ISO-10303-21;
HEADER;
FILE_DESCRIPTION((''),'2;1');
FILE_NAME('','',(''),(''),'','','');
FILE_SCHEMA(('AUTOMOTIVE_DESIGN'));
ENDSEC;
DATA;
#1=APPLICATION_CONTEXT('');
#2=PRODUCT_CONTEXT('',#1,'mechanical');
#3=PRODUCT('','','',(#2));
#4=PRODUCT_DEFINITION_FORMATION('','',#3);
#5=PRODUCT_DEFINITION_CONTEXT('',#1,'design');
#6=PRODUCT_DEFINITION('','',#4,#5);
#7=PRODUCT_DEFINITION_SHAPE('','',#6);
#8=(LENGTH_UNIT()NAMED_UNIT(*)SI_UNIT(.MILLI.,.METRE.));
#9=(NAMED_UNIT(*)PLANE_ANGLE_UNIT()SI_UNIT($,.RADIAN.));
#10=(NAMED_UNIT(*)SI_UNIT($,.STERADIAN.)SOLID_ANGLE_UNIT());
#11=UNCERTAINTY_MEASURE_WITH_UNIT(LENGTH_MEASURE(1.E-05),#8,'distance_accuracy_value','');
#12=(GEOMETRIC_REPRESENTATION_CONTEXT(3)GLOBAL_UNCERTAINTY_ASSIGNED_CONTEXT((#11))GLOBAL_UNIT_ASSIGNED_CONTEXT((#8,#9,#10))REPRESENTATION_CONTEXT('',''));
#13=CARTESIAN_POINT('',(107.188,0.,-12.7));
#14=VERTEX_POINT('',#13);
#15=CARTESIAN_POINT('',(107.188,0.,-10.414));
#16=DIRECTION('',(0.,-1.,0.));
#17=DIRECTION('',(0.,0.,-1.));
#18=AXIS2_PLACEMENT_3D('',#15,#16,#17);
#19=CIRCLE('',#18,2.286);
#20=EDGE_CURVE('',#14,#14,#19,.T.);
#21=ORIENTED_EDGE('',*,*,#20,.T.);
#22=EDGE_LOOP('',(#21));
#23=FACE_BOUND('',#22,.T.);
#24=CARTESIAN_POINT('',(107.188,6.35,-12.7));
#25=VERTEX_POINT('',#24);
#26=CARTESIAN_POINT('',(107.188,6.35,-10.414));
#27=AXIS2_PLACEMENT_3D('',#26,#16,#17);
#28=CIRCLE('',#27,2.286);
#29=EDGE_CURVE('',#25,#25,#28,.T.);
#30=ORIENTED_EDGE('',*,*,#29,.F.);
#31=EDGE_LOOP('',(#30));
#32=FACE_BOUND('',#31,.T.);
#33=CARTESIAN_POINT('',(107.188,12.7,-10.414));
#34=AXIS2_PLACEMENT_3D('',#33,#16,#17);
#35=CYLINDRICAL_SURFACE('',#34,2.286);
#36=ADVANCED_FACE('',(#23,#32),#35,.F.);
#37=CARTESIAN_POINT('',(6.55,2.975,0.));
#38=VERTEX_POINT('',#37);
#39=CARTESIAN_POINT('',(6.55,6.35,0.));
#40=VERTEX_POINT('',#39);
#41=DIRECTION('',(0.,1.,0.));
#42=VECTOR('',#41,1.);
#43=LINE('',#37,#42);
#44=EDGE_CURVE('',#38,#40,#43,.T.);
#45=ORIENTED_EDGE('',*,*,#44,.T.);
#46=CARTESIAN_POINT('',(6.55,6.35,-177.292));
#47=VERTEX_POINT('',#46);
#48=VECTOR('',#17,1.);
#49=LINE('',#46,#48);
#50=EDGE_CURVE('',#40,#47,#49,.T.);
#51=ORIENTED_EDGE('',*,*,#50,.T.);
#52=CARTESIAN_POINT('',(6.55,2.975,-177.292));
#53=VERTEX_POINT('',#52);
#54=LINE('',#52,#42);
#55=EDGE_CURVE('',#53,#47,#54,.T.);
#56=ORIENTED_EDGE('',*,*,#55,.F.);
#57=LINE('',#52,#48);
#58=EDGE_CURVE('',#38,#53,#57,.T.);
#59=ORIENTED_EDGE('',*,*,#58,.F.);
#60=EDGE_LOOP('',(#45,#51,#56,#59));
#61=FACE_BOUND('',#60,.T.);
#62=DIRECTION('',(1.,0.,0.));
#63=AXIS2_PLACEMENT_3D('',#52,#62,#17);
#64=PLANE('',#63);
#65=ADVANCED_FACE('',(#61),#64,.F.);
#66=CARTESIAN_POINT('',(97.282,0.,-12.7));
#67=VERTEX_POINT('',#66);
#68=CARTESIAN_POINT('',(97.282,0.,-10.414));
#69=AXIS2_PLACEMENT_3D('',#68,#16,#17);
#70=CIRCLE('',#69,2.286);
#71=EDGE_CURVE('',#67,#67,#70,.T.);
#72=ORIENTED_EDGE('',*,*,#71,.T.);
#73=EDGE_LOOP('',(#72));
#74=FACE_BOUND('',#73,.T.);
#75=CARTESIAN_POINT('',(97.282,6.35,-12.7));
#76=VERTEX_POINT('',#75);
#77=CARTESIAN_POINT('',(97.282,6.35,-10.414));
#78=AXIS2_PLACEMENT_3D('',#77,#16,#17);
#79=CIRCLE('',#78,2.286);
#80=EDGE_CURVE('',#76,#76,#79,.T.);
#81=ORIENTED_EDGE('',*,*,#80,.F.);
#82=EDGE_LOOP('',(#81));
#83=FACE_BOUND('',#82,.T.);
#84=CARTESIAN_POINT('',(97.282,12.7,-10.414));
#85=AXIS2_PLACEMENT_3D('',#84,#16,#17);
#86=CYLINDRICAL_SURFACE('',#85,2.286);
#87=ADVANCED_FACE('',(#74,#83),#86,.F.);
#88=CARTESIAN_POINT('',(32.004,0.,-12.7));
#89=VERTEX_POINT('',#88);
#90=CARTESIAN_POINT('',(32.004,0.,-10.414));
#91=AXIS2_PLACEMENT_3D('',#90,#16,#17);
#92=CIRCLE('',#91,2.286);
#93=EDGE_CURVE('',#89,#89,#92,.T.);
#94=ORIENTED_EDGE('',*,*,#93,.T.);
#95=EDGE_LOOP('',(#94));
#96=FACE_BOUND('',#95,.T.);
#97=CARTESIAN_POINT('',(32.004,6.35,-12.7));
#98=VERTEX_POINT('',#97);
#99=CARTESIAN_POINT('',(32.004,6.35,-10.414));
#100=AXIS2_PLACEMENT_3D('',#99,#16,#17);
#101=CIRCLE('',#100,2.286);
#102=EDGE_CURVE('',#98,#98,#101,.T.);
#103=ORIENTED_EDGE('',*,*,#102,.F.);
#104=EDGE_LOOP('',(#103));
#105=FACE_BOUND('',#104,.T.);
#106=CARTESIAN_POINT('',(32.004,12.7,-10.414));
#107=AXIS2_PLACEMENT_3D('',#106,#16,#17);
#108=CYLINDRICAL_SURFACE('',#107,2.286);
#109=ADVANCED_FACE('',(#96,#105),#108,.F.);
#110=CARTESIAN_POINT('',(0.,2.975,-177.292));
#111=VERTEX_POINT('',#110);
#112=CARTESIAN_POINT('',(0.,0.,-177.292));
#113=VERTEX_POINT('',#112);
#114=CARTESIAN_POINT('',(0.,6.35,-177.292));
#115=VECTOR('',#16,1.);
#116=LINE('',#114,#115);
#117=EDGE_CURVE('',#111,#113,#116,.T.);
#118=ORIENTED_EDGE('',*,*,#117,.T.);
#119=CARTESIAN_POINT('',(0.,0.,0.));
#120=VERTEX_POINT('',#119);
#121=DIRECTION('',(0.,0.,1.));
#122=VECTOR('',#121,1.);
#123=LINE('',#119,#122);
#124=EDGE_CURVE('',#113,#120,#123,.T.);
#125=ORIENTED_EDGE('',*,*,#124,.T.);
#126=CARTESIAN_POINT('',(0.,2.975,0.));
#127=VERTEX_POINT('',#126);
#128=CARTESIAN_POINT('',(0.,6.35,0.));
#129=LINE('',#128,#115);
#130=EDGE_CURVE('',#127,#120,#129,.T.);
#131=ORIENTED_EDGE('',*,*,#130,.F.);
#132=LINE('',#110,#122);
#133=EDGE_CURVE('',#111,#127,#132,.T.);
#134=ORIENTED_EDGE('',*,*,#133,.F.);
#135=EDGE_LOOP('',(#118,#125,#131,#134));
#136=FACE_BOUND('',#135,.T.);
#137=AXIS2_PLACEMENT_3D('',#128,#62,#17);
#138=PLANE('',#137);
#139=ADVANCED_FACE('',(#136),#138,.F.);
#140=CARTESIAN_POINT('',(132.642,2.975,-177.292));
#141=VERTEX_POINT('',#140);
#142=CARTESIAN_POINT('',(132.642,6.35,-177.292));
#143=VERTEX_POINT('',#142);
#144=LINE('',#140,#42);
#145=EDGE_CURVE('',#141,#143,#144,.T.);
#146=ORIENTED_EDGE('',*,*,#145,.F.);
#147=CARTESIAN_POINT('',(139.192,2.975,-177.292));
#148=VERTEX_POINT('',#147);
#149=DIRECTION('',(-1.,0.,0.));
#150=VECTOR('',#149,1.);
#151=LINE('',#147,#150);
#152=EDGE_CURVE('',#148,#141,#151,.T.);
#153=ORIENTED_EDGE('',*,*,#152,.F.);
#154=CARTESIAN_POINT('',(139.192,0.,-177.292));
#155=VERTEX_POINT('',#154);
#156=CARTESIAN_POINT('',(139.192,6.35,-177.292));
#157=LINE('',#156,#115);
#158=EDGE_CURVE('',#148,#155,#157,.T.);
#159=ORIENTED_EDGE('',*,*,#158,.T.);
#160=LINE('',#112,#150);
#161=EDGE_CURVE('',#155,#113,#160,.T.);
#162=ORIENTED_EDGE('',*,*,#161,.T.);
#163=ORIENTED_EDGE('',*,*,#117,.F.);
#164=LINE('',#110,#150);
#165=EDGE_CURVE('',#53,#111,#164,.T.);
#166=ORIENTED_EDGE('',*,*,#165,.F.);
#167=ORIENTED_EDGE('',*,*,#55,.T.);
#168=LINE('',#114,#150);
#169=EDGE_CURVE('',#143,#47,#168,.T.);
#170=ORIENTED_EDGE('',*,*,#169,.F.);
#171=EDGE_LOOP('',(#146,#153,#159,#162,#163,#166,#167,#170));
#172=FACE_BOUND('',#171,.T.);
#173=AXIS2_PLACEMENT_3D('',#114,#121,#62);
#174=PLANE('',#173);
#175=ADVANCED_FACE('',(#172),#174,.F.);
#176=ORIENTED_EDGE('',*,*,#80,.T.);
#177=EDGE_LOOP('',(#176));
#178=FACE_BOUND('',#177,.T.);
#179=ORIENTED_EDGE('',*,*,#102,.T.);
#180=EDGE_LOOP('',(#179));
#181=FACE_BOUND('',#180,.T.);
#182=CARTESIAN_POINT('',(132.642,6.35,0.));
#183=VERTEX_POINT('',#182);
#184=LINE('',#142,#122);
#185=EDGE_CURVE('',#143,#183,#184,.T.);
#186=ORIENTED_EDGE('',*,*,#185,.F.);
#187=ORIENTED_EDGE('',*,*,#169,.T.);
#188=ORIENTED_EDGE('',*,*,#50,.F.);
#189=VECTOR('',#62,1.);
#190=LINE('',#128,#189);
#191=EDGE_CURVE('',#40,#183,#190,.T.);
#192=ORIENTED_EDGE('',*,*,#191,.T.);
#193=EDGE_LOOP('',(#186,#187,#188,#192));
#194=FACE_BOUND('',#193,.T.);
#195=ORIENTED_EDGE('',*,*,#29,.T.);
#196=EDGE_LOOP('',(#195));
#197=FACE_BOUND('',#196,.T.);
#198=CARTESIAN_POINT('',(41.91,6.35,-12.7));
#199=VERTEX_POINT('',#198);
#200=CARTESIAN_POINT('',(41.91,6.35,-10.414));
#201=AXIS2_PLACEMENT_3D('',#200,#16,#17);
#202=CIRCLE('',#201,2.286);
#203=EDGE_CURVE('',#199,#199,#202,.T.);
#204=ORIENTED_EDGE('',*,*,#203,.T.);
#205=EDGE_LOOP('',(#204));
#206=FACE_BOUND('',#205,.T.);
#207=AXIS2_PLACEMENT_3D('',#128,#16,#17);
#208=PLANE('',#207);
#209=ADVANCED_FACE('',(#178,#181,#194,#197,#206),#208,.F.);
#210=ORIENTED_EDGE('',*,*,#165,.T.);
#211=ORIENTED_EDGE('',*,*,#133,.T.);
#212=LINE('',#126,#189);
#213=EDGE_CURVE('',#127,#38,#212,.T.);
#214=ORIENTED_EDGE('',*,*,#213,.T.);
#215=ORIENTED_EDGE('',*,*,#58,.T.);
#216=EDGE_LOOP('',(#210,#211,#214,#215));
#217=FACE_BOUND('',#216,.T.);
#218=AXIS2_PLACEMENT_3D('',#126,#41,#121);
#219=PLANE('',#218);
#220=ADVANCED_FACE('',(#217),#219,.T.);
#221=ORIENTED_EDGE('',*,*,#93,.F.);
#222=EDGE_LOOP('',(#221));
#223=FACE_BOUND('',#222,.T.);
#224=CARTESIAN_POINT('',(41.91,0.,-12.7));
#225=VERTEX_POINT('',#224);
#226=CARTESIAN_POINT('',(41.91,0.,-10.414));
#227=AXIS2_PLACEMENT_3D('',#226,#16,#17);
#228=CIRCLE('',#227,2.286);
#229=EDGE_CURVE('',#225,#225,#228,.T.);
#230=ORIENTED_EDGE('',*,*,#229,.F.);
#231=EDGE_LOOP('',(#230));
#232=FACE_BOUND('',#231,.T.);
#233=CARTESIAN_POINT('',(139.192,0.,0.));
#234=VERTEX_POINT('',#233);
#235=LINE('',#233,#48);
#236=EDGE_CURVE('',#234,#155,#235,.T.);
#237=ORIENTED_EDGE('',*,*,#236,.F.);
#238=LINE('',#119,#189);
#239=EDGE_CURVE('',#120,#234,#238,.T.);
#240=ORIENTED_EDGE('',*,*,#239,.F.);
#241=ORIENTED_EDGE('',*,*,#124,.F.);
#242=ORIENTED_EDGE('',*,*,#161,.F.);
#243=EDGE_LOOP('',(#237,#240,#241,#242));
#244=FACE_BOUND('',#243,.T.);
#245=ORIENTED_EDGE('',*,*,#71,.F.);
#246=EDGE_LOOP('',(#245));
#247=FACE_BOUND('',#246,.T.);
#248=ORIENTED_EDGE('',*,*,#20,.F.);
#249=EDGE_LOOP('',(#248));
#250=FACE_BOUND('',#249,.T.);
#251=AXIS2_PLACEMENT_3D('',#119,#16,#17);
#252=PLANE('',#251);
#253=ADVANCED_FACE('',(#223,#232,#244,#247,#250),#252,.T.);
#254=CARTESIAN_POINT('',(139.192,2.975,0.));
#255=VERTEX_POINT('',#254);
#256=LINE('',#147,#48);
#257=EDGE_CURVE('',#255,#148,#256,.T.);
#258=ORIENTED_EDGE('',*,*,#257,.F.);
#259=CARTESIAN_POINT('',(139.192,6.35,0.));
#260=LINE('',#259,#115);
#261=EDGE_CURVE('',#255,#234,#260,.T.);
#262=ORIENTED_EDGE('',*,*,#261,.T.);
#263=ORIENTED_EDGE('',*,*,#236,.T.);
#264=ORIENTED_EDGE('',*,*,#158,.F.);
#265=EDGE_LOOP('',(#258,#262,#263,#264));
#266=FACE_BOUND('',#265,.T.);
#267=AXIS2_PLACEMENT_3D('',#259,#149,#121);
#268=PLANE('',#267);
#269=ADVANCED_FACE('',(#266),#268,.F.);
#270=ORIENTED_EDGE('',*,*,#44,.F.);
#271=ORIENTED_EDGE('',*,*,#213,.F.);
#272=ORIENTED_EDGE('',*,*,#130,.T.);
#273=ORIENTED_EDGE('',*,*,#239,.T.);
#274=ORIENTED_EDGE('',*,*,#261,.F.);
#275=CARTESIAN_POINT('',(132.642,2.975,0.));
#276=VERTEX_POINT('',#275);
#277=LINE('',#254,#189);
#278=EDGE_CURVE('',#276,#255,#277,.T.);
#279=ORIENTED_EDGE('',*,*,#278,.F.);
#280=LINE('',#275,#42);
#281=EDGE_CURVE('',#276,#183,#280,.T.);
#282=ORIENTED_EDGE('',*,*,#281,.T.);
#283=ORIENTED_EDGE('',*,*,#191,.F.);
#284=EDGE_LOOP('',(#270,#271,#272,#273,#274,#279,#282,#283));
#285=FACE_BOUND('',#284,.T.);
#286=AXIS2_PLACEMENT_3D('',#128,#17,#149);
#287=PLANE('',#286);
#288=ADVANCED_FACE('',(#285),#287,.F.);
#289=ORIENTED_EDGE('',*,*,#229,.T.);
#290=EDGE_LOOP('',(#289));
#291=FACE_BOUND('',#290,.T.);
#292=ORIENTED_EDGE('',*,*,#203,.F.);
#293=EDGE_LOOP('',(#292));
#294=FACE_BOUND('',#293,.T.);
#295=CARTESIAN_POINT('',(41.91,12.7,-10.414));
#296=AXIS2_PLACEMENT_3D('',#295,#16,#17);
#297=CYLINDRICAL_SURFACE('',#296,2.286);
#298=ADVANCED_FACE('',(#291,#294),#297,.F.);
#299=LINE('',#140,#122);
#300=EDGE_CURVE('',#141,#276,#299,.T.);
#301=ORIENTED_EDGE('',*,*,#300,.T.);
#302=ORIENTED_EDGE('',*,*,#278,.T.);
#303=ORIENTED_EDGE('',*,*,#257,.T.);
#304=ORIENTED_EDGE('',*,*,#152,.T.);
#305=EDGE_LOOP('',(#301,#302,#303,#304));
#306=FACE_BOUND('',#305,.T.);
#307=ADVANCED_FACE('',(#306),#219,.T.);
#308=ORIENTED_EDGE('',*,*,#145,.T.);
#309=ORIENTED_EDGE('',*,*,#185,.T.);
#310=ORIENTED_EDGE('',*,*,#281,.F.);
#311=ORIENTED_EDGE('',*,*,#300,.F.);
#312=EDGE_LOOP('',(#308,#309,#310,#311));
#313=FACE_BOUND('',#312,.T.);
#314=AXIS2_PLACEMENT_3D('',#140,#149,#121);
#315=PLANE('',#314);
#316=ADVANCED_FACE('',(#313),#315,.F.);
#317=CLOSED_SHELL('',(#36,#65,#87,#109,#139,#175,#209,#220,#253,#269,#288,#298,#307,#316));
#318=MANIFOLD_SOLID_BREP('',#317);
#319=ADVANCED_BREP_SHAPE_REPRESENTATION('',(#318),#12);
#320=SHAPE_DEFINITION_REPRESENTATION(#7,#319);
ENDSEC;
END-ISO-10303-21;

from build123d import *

# Parameters (mm, degrees)
SKETCH1_W           = 139.192
SKETCH1_H           = 177.292
BOSS_EXTRUDE1_DEPTH = 6.35
SKETCH2_W           = 6.55
SKETCH2_H           = 177.292
CUT_EXTRUDE1_DEPTH  = 3.375
SKETCH5_R           = 2.286
CUT_EXTRUDE3_DEPTH  = 12.7


with BuildPart() as part:
    # Sketch1 → Boss-Extrude1 (new body)
    with BuildSketch(Plane(origin=(0, 0, 0), x_dir=(1, 0, 0), z_dir=(0, 1, 0))):
        with Locations((69.596, 88.646)):
            Rectangle(SKETCH1_W, SKETCH1_H)
    extrude(amount=BOSS_EXTRUDE1_DEPTH)

    # Sketch2 → Cut-Extrude1 (cut)
    with BuildSketch(Plane(origin=(0, 6.35, 0), x_dir=(1, 0, 0), z_dir=(0, 1, 0))):
        with Locations((135.917, 88.646)):
            Rectangle(SKETCH2_W, SKETCH2_H)
        with Locations((3.275, 88.646)):
            Rectangle(SKETCH2_W, SKETCH2_H)
    extrude(amount=-CUT_EXTRUDE1_DEPTH, mode=Mode.SUBTRACT)

    # Sketch5 → Cut-Extrude3 (cut)
    with BuildSketch(Plane.XZ):
        with Locations((107.188, -10.414)):
            Circle(SKETCH5_R)
        with Locations((97.282, -10.414)):
            Circle(SKETCH5_R)
        with Locations((41.91, -10.414)):
            Circle(SKETCH5_R)
        with Locations((32.004, -10.414)):
            Circle(SKETCH5_R)
    extrude(amount=-CUT_EXTRUDE3_DEPTH, mode=Mode.SUBTRACT)


solid = part.part
